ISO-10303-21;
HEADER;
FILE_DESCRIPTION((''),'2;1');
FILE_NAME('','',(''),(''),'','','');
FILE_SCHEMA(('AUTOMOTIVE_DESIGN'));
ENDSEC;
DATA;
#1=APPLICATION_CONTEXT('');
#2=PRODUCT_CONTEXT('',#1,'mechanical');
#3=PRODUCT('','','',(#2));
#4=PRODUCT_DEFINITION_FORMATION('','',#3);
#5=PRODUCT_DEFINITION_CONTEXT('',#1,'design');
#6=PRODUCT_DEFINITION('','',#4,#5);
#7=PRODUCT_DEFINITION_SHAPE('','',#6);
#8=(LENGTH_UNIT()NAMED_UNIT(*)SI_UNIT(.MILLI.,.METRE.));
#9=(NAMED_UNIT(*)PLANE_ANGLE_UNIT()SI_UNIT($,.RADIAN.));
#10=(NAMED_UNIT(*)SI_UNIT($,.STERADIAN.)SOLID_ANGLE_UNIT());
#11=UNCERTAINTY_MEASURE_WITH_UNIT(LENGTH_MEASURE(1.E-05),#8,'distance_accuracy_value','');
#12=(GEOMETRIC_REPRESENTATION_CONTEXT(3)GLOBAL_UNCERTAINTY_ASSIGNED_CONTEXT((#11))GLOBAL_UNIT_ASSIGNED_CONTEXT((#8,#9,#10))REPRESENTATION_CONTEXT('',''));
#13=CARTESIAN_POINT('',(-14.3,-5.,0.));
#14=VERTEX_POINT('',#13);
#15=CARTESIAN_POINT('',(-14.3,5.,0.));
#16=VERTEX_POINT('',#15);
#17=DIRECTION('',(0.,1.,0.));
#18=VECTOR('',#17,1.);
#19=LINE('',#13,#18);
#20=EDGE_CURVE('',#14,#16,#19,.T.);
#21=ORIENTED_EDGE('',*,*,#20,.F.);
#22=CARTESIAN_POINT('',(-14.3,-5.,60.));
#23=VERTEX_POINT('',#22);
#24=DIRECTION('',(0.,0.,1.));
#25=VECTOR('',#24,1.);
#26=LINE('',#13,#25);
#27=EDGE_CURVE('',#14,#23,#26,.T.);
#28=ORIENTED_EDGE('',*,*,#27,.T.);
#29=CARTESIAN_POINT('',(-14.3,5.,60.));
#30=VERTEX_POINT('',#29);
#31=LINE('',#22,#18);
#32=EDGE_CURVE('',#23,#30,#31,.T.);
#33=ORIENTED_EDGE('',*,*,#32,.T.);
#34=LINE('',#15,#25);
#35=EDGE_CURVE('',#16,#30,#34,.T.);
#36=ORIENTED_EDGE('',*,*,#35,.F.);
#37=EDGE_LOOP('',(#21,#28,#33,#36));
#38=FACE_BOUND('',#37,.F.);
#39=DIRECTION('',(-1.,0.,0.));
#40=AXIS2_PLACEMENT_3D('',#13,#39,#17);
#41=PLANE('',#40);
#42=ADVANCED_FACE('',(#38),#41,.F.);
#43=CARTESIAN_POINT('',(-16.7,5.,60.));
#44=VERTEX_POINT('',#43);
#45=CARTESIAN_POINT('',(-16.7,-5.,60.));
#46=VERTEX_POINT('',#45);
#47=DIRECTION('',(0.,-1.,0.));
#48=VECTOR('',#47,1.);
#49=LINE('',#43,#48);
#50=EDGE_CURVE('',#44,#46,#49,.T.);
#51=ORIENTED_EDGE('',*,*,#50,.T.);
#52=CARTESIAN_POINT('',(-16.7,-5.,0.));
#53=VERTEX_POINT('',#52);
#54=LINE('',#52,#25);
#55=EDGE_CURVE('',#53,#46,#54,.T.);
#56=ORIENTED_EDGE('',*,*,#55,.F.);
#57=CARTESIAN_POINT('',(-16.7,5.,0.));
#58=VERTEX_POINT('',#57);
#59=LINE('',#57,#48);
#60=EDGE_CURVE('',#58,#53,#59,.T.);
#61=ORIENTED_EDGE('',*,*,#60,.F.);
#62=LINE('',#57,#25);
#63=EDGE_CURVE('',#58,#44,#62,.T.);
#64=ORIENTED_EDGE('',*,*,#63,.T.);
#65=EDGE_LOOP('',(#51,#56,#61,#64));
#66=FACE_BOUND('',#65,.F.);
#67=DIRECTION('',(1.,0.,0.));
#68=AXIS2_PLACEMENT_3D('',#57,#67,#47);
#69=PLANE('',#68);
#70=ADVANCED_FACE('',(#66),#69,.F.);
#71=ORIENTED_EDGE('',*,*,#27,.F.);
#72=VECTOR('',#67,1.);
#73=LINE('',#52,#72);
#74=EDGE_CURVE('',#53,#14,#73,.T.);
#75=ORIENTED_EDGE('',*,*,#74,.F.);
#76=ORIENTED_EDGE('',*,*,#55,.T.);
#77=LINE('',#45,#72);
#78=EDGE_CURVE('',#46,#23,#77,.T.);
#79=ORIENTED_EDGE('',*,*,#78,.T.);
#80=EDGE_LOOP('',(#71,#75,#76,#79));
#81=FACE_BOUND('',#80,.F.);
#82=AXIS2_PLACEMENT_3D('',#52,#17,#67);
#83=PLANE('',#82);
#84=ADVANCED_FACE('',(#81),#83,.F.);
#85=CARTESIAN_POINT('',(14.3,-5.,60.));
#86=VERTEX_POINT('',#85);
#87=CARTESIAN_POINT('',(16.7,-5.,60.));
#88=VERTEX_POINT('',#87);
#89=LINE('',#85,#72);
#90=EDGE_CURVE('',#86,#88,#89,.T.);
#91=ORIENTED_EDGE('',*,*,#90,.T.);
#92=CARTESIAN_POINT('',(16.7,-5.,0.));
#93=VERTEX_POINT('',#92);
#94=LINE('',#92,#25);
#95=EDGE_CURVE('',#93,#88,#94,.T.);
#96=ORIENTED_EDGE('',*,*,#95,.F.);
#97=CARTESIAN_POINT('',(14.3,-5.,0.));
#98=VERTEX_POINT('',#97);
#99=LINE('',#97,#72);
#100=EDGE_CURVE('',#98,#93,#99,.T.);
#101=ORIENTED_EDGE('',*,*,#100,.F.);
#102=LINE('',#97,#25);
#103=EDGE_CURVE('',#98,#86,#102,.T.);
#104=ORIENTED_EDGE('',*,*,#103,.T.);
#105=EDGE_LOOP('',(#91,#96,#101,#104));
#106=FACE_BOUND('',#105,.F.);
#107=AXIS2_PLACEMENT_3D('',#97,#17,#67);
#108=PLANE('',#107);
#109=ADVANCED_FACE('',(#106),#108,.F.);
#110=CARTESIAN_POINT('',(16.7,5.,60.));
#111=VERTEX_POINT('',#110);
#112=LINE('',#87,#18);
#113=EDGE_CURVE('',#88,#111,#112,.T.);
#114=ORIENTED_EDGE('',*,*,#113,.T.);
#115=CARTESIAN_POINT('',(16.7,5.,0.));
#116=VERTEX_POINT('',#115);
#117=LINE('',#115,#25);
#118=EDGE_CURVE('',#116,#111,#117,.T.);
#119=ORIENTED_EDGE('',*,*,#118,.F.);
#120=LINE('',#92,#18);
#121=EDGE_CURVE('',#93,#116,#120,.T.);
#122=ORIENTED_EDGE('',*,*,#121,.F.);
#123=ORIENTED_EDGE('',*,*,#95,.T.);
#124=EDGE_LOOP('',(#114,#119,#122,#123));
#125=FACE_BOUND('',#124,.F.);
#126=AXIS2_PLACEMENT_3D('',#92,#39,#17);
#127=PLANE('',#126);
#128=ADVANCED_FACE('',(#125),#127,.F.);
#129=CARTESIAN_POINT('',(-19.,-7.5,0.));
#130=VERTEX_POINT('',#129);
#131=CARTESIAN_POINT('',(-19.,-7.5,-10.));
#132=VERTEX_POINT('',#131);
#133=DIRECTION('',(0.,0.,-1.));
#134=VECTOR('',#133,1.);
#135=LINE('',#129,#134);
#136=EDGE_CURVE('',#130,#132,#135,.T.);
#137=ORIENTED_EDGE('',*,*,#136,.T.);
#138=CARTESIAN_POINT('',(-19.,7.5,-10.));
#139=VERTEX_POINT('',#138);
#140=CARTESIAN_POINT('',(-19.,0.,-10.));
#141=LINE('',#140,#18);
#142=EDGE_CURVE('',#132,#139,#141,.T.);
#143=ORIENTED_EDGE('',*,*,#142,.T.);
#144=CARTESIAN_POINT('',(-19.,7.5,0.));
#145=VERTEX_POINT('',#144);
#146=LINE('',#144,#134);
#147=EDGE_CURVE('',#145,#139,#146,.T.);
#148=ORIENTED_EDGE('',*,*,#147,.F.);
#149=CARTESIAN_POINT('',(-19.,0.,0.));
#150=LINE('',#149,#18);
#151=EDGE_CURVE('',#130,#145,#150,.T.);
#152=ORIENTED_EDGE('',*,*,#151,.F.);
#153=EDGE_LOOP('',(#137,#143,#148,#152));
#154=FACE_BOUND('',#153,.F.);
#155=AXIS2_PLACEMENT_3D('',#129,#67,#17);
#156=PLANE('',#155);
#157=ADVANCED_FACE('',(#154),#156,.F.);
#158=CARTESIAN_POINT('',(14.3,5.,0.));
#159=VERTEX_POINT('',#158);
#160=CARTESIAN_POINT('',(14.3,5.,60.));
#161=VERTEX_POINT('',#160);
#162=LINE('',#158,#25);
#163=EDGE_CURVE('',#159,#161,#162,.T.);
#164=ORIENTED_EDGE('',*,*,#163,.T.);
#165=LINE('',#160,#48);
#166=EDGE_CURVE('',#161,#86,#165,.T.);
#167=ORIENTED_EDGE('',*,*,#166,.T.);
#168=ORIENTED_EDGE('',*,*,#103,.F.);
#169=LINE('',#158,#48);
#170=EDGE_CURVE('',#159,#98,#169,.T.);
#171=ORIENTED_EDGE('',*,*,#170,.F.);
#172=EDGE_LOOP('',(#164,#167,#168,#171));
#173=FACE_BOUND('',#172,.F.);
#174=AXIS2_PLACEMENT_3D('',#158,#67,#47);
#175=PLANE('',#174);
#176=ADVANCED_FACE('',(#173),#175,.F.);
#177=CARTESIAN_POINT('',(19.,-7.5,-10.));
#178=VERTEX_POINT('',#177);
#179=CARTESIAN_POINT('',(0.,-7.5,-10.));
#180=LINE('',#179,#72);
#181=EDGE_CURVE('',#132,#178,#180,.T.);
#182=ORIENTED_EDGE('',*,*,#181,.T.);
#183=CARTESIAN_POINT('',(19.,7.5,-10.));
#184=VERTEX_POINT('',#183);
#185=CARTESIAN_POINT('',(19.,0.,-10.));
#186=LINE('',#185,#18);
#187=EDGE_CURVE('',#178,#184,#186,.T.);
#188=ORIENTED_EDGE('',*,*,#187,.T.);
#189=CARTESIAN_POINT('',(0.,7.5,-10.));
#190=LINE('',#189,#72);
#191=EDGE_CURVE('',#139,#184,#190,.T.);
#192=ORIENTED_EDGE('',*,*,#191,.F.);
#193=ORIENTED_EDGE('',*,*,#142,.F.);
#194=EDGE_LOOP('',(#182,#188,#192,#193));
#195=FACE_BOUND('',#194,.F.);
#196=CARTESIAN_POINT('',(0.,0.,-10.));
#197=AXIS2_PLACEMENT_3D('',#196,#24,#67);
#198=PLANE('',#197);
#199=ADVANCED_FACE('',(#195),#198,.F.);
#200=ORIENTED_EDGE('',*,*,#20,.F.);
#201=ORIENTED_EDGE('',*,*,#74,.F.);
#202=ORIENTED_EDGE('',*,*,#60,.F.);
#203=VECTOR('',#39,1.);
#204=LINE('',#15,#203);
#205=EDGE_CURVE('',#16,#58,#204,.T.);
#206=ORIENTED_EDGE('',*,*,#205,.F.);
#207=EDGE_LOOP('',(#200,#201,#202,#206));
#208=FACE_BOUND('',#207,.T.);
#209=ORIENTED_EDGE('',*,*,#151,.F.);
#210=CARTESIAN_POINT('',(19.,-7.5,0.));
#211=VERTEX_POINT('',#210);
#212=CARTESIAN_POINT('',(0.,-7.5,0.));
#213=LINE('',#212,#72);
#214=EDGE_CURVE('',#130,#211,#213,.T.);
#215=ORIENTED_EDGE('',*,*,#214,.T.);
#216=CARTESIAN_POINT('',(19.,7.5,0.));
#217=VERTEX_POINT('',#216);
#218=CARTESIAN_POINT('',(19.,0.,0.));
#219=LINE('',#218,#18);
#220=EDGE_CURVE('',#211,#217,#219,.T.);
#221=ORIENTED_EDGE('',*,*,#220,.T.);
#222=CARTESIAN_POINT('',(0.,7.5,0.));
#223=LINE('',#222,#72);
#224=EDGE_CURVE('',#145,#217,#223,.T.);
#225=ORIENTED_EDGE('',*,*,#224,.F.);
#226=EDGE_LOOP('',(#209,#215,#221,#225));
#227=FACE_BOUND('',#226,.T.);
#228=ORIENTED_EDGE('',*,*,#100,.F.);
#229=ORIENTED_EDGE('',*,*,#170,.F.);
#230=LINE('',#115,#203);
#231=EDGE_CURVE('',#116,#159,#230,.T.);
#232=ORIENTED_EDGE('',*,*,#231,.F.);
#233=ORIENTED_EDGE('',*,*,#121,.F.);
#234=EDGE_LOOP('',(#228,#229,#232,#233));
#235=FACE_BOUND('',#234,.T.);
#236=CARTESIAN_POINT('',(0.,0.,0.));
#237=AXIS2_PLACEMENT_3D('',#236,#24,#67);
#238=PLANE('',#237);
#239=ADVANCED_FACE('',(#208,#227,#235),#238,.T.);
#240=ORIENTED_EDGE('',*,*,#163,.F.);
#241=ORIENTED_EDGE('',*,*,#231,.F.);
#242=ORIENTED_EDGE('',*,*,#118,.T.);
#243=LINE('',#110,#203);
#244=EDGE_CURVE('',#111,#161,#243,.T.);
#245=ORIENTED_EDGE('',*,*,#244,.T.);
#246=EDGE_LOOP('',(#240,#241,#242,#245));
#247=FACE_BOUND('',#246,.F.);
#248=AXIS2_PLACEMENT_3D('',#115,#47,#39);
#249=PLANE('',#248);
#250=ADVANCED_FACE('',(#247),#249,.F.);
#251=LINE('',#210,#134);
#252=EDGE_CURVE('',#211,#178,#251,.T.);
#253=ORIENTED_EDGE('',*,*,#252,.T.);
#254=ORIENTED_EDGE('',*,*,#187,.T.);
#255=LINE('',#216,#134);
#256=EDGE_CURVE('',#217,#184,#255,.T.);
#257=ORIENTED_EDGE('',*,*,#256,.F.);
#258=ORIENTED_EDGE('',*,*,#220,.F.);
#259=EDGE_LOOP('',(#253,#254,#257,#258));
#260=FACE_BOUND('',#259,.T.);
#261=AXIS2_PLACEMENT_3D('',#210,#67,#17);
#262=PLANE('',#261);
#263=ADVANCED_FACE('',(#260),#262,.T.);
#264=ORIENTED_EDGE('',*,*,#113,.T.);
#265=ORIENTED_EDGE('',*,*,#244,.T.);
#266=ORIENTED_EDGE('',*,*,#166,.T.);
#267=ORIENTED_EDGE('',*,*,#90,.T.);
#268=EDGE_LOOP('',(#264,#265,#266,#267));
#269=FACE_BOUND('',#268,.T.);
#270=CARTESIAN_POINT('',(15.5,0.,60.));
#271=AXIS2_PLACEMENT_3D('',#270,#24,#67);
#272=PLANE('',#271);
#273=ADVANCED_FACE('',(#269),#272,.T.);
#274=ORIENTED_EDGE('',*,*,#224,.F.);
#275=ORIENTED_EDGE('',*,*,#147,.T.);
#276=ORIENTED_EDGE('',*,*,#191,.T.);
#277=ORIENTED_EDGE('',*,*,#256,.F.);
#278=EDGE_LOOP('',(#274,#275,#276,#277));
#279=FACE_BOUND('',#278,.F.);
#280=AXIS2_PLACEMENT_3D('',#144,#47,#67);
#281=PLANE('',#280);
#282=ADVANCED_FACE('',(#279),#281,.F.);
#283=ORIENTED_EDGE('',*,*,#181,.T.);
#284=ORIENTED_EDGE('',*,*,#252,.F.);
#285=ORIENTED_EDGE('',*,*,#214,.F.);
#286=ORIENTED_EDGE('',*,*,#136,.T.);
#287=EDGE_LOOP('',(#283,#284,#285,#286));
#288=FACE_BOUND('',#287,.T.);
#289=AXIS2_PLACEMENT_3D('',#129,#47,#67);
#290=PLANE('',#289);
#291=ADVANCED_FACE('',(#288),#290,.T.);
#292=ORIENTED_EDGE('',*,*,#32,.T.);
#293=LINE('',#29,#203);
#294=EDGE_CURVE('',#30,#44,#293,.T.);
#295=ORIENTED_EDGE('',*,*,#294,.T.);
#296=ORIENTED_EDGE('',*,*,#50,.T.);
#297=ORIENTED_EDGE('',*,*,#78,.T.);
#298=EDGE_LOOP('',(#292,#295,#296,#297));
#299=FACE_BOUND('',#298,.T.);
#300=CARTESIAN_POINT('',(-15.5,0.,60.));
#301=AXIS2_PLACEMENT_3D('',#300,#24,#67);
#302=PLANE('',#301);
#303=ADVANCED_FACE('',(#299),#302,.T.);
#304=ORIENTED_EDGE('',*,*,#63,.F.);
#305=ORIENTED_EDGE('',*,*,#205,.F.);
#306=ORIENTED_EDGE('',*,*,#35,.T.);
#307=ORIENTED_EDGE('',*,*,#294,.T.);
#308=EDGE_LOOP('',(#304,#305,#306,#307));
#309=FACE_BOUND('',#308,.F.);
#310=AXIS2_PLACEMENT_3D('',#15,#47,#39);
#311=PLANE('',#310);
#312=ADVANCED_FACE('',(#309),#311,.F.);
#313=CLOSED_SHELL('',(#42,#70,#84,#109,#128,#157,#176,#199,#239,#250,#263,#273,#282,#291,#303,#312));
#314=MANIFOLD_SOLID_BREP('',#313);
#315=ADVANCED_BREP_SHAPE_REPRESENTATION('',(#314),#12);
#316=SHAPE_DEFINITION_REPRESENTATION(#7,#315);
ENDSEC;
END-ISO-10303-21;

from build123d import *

# Parameters (mm, degrees)
F2_DEPTH = 60
F1_W     = 38
F1_H     = 15
F3_DEPTH = 10


with BuildPart() as f2:
    # F0 (on Top) → F2 (new body)
    with BuildSketch(Plane.XY):
        Polygon((14.3, 5), (14.3, 0), (14.3, -5), (16.7, -5), (16.7, 5), align=None)
    extrude(amount=F2_DEPTH)



with BuildPart() as f2b:
    # F0 (on Top) → F2, piece 2 (new body)
    with BuildSketch(Plane.XY):
        Polygon((-14.3, -5), (-14.3, 0), (-14.3, 5), (-16.7, 5), (-16.7, -5), align=None)
    extrude(amount=F2_DEPTH)


with BuildPart() as f2_1:
    add(f2.part)

    add(f2b.part)  # F3 merges F2b
    # F1 (on Top) → F3 (join)
    with BuildSketch(Plane.XY):
        Rectangle(F1_W, F1_H)
    extrude(amount=-F3_DEPTH)


solid = f2_1.part
